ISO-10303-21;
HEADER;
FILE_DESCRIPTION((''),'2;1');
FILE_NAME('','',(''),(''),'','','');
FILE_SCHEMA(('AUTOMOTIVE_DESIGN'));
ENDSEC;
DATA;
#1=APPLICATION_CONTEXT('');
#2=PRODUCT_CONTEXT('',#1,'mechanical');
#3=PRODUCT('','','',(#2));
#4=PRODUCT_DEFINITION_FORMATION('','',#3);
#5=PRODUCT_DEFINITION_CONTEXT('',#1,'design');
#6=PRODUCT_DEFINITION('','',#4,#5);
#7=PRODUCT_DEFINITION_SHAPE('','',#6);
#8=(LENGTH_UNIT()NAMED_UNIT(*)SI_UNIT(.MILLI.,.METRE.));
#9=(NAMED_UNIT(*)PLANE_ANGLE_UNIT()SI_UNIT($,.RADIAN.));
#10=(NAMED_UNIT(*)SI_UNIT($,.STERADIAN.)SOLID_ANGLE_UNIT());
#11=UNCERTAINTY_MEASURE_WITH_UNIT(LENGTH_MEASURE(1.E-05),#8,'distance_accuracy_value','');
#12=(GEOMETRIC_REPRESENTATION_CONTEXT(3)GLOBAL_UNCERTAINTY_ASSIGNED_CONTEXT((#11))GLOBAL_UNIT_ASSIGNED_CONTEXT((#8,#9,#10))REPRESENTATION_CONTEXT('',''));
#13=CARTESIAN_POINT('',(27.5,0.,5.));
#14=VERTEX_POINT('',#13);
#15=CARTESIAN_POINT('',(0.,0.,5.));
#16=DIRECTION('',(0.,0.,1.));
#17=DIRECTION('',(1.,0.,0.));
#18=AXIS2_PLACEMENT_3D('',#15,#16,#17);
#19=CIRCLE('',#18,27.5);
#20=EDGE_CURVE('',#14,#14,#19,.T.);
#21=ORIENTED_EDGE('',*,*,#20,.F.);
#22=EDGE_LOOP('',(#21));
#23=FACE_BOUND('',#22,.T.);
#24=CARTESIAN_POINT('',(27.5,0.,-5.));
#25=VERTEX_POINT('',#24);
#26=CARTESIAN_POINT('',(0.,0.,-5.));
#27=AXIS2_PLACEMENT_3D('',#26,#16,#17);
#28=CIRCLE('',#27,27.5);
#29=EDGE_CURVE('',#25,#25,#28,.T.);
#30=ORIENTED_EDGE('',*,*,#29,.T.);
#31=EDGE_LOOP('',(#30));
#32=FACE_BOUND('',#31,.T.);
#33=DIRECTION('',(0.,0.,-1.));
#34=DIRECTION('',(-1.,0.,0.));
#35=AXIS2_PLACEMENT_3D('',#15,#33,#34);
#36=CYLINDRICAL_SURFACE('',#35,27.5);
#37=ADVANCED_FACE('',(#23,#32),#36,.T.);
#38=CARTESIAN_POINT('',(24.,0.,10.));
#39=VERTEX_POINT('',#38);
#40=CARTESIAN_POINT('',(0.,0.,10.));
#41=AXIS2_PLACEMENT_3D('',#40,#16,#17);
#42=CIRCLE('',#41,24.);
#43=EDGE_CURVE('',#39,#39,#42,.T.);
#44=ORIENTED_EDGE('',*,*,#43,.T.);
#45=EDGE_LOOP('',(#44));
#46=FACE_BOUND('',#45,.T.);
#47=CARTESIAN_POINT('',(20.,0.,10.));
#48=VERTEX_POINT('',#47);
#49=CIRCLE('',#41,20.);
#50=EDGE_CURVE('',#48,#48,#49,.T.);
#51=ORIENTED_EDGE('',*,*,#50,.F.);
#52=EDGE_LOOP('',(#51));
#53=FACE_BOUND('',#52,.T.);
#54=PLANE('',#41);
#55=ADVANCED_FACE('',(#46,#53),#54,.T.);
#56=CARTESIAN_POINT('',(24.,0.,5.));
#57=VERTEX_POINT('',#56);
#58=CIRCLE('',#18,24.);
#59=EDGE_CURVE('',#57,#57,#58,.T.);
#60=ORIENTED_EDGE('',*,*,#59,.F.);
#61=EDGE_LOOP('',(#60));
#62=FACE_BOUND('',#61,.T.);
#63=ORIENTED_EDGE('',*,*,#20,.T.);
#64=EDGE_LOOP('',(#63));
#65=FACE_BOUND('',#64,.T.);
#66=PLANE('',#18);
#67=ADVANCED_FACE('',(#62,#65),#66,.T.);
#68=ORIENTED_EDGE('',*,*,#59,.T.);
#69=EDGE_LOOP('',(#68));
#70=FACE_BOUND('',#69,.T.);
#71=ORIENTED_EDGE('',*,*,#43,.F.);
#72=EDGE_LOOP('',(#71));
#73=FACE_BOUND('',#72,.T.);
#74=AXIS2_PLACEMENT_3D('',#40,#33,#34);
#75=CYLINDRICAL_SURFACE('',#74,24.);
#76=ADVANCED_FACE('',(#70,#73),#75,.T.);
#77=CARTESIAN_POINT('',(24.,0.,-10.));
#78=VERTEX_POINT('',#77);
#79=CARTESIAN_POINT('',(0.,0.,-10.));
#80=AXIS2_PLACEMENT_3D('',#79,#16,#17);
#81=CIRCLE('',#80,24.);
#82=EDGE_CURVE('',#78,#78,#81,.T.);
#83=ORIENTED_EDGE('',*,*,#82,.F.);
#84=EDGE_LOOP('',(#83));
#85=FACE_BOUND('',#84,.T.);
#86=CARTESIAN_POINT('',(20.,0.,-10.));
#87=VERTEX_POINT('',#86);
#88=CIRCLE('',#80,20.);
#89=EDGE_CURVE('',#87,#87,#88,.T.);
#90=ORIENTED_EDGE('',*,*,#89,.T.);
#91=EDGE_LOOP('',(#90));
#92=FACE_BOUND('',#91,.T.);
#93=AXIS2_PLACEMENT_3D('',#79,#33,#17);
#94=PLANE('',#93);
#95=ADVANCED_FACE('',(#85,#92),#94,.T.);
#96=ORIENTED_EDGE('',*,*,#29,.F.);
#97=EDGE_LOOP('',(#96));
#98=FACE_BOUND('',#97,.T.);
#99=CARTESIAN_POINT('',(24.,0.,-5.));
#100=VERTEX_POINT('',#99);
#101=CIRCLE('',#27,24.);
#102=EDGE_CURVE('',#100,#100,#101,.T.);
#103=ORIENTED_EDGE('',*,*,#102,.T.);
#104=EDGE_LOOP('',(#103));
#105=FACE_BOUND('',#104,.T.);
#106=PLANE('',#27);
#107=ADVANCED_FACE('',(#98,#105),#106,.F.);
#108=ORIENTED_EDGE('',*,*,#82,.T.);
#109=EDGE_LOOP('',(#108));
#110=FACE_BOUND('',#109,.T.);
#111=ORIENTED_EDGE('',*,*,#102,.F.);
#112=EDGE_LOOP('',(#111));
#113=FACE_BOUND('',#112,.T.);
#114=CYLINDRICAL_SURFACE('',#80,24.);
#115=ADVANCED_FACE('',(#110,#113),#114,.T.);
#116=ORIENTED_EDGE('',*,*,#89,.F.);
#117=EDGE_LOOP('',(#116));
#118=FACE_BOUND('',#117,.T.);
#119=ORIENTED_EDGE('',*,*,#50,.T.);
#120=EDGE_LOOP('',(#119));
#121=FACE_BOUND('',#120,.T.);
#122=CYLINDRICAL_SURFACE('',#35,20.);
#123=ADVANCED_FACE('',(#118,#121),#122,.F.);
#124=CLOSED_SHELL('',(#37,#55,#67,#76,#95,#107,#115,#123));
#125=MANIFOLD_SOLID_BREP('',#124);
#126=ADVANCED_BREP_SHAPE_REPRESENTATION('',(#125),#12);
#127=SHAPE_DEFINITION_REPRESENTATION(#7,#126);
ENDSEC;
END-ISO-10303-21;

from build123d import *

# Parameters (mm, degrees)
SKETCH1_R           = 27.5
SKETCH1_R_2         = 20
BOSS_EXTRUDE1_DEPTH = 5
SKETCH2_R           = 24
SKETCH2_R_2         = 20
BOSS_EXTRUDE2_DEPTH = 5


with BuildPart() as part:
    # Sketch1 → Boss-Extrude1 (new, symmetric)
    with BuildSketch(Plane.XY):
        Circle(SKETCH1_R)
        Circle(SKETCH1_R_2, mode=Mode.SUBTRACT)
    extrude(amount=BOSS_EXTRUDE1_DEPTH, both=True)

    # Sketch2 → Boss-Extrude2 (add)
    with BuildSketch(Plane.XY.offset(5)):
        Circle(SKETCH2_R)
        Circle(SKETCH2_R_2, mode=Mode.SUBTRACT)
    boss_extrude2 = extrude(amount=BOSS_EXTRUDE2_DEPTH)

    # Mirror1: Boss-Extrude2 across plane
    add(boss_extrude2.mirror(Plane.XY))


solid = part.part
